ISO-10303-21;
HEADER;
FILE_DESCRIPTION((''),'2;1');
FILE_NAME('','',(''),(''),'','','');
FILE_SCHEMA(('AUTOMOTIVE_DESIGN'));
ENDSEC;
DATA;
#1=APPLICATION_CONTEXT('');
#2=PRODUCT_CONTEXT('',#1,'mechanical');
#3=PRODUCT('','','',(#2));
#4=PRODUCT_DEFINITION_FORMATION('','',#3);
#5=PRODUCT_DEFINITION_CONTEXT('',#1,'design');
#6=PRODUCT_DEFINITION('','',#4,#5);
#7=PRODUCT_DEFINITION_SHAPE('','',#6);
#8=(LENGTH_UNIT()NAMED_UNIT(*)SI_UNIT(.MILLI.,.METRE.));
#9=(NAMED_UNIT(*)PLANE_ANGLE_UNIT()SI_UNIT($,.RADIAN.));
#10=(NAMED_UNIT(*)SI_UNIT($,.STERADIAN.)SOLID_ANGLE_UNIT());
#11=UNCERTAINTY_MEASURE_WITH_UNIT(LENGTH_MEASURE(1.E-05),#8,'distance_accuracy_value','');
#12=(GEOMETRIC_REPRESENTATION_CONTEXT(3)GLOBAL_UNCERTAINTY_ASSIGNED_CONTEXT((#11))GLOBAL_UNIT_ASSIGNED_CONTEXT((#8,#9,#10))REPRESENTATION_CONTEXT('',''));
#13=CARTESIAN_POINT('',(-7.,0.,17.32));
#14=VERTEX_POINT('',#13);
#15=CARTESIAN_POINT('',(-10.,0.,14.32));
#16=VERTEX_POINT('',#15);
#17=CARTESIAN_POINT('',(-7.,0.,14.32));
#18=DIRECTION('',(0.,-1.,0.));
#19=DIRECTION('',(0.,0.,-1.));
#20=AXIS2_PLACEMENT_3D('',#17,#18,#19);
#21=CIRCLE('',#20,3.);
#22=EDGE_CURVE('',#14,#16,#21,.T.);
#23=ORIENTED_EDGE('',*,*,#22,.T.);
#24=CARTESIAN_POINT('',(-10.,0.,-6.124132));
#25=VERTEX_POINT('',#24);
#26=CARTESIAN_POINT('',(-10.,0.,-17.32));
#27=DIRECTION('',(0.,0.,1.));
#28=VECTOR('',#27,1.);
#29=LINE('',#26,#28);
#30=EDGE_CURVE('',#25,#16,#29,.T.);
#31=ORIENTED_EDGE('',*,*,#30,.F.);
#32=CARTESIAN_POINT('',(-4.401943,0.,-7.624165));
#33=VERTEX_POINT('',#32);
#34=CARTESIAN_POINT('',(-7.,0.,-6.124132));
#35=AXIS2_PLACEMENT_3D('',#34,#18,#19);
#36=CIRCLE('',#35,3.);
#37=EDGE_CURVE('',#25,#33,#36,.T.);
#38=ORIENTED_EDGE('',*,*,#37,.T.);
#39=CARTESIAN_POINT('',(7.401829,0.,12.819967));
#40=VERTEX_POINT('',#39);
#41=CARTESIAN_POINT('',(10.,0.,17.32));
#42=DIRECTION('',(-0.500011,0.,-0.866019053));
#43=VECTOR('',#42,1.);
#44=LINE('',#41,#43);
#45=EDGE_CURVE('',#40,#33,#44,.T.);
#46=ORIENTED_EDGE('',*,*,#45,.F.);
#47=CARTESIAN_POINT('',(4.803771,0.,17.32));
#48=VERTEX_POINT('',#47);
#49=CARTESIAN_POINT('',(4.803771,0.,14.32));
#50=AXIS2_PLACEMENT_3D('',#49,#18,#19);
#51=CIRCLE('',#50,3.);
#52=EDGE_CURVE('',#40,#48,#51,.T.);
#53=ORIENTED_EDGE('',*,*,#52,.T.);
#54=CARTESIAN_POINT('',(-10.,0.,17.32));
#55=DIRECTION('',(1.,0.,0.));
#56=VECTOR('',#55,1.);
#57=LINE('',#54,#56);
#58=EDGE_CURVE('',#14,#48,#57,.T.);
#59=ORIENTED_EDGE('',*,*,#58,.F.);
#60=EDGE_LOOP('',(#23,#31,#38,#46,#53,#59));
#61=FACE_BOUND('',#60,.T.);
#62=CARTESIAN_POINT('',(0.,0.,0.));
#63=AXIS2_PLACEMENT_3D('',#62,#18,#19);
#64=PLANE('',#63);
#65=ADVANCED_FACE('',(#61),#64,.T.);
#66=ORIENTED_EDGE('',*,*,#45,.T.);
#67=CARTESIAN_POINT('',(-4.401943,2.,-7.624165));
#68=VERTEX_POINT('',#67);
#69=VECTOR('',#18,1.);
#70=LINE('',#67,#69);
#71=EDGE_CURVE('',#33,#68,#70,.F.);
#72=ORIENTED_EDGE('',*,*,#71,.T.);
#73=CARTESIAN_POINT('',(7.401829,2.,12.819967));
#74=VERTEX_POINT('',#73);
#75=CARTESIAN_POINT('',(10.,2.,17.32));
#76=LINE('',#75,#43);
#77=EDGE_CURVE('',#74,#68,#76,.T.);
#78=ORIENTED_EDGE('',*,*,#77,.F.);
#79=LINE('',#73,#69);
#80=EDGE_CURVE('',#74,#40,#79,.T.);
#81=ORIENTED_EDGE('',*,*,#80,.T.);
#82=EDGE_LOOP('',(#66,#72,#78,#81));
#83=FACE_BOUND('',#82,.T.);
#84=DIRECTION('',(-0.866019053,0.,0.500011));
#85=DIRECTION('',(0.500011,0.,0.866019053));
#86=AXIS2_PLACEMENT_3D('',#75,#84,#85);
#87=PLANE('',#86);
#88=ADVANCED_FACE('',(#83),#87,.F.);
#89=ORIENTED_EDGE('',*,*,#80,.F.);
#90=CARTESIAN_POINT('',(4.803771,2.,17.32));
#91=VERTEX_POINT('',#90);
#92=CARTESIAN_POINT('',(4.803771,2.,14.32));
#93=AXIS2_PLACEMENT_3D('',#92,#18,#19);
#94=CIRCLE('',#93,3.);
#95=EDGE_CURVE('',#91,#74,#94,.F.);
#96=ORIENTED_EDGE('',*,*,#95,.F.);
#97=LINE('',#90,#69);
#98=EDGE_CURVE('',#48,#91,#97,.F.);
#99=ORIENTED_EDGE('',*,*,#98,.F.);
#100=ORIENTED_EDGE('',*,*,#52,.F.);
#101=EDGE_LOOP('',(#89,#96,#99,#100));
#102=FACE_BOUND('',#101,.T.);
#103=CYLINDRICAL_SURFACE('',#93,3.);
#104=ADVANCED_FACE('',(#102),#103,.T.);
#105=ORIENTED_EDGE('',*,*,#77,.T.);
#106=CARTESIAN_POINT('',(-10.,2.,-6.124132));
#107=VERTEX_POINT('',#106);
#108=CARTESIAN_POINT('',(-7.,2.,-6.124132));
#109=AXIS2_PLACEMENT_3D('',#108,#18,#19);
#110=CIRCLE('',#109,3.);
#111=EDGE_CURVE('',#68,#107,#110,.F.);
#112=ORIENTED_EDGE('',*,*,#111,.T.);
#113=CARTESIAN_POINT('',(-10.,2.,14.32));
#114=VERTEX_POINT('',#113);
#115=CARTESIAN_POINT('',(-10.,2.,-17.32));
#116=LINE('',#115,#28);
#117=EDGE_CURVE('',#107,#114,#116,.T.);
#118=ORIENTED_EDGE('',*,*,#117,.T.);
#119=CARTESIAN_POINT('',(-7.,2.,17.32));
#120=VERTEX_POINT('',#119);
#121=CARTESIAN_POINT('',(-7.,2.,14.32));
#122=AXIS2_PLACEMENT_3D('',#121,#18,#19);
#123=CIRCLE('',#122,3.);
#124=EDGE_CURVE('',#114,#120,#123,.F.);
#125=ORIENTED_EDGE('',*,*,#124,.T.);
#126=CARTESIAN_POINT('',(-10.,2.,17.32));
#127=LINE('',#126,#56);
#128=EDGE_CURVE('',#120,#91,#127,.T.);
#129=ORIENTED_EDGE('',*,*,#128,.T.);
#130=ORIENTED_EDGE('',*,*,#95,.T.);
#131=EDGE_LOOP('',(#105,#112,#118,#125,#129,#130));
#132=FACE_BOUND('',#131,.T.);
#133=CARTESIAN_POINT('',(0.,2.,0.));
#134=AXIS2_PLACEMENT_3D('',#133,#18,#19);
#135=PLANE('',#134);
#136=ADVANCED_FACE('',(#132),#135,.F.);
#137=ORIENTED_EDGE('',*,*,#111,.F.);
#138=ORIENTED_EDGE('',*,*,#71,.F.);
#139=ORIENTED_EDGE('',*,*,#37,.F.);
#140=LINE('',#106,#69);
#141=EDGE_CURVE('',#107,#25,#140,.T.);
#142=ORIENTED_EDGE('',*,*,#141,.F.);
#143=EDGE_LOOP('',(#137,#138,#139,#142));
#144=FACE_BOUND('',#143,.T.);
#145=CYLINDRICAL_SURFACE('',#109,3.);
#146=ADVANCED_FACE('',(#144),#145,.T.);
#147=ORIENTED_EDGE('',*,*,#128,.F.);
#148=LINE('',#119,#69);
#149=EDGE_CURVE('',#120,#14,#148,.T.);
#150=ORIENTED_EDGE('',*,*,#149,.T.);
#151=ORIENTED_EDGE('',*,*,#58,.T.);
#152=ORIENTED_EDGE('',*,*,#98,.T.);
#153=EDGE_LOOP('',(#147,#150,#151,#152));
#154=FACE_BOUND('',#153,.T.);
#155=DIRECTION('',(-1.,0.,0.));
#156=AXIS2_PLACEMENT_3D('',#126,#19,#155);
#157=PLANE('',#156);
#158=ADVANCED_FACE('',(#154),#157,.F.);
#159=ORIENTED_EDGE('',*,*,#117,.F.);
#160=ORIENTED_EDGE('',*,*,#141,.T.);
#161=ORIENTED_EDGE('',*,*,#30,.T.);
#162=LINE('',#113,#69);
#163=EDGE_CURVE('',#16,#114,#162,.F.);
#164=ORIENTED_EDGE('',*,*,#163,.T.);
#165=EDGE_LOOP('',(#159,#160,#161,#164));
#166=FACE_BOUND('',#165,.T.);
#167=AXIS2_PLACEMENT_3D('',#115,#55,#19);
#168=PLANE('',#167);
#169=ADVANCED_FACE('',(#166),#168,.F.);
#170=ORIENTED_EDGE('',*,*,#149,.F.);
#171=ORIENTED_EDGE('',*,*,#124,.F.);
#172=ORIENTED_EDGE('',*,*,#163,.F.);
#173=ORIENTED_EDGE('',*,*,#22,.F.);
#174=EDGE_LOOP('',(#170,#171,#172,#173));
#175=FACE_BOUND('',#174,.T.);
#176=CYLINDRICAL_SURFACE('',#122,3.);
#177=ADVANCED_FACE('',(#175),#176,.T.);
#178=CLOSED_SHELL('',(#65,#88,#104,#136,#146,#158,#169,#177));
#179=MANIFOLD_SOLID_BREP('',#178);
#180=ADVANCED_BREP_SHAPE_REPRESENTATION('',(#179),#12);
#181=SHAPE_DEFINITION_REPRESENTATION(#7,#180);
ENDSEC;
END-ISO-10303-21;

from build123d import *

# Parameters (mm, degrees)
BOSS_EXTRUDE1_DEPTH = 2
FILLET1_R           = 3


with BuildPart() as part:
    # Sketch1 → Boss-Extrude1 (new body)
    with BuildSketch(Plane(origin=(0, 0, 0), x_dir=(1, 0, 0), z_dir=(0, 1, 0))):
        Polygon((-10, 17.32), (-10, -17.32), (10, -17.32), align=None)
    extrude(amount=BOSS_EXTRUDE1_DEPTH)

    # Fillet1
    fillet1_edges = [part.edges().sort_by_distance(p)[0] for p in [
        (10, 1, 17.32),
        (-10, 1, 17.32),
        (-10, 1, -17.32),
    ]]
    fillet(fillet1_edges, radius=FILLET1_R)


solid = part.part
